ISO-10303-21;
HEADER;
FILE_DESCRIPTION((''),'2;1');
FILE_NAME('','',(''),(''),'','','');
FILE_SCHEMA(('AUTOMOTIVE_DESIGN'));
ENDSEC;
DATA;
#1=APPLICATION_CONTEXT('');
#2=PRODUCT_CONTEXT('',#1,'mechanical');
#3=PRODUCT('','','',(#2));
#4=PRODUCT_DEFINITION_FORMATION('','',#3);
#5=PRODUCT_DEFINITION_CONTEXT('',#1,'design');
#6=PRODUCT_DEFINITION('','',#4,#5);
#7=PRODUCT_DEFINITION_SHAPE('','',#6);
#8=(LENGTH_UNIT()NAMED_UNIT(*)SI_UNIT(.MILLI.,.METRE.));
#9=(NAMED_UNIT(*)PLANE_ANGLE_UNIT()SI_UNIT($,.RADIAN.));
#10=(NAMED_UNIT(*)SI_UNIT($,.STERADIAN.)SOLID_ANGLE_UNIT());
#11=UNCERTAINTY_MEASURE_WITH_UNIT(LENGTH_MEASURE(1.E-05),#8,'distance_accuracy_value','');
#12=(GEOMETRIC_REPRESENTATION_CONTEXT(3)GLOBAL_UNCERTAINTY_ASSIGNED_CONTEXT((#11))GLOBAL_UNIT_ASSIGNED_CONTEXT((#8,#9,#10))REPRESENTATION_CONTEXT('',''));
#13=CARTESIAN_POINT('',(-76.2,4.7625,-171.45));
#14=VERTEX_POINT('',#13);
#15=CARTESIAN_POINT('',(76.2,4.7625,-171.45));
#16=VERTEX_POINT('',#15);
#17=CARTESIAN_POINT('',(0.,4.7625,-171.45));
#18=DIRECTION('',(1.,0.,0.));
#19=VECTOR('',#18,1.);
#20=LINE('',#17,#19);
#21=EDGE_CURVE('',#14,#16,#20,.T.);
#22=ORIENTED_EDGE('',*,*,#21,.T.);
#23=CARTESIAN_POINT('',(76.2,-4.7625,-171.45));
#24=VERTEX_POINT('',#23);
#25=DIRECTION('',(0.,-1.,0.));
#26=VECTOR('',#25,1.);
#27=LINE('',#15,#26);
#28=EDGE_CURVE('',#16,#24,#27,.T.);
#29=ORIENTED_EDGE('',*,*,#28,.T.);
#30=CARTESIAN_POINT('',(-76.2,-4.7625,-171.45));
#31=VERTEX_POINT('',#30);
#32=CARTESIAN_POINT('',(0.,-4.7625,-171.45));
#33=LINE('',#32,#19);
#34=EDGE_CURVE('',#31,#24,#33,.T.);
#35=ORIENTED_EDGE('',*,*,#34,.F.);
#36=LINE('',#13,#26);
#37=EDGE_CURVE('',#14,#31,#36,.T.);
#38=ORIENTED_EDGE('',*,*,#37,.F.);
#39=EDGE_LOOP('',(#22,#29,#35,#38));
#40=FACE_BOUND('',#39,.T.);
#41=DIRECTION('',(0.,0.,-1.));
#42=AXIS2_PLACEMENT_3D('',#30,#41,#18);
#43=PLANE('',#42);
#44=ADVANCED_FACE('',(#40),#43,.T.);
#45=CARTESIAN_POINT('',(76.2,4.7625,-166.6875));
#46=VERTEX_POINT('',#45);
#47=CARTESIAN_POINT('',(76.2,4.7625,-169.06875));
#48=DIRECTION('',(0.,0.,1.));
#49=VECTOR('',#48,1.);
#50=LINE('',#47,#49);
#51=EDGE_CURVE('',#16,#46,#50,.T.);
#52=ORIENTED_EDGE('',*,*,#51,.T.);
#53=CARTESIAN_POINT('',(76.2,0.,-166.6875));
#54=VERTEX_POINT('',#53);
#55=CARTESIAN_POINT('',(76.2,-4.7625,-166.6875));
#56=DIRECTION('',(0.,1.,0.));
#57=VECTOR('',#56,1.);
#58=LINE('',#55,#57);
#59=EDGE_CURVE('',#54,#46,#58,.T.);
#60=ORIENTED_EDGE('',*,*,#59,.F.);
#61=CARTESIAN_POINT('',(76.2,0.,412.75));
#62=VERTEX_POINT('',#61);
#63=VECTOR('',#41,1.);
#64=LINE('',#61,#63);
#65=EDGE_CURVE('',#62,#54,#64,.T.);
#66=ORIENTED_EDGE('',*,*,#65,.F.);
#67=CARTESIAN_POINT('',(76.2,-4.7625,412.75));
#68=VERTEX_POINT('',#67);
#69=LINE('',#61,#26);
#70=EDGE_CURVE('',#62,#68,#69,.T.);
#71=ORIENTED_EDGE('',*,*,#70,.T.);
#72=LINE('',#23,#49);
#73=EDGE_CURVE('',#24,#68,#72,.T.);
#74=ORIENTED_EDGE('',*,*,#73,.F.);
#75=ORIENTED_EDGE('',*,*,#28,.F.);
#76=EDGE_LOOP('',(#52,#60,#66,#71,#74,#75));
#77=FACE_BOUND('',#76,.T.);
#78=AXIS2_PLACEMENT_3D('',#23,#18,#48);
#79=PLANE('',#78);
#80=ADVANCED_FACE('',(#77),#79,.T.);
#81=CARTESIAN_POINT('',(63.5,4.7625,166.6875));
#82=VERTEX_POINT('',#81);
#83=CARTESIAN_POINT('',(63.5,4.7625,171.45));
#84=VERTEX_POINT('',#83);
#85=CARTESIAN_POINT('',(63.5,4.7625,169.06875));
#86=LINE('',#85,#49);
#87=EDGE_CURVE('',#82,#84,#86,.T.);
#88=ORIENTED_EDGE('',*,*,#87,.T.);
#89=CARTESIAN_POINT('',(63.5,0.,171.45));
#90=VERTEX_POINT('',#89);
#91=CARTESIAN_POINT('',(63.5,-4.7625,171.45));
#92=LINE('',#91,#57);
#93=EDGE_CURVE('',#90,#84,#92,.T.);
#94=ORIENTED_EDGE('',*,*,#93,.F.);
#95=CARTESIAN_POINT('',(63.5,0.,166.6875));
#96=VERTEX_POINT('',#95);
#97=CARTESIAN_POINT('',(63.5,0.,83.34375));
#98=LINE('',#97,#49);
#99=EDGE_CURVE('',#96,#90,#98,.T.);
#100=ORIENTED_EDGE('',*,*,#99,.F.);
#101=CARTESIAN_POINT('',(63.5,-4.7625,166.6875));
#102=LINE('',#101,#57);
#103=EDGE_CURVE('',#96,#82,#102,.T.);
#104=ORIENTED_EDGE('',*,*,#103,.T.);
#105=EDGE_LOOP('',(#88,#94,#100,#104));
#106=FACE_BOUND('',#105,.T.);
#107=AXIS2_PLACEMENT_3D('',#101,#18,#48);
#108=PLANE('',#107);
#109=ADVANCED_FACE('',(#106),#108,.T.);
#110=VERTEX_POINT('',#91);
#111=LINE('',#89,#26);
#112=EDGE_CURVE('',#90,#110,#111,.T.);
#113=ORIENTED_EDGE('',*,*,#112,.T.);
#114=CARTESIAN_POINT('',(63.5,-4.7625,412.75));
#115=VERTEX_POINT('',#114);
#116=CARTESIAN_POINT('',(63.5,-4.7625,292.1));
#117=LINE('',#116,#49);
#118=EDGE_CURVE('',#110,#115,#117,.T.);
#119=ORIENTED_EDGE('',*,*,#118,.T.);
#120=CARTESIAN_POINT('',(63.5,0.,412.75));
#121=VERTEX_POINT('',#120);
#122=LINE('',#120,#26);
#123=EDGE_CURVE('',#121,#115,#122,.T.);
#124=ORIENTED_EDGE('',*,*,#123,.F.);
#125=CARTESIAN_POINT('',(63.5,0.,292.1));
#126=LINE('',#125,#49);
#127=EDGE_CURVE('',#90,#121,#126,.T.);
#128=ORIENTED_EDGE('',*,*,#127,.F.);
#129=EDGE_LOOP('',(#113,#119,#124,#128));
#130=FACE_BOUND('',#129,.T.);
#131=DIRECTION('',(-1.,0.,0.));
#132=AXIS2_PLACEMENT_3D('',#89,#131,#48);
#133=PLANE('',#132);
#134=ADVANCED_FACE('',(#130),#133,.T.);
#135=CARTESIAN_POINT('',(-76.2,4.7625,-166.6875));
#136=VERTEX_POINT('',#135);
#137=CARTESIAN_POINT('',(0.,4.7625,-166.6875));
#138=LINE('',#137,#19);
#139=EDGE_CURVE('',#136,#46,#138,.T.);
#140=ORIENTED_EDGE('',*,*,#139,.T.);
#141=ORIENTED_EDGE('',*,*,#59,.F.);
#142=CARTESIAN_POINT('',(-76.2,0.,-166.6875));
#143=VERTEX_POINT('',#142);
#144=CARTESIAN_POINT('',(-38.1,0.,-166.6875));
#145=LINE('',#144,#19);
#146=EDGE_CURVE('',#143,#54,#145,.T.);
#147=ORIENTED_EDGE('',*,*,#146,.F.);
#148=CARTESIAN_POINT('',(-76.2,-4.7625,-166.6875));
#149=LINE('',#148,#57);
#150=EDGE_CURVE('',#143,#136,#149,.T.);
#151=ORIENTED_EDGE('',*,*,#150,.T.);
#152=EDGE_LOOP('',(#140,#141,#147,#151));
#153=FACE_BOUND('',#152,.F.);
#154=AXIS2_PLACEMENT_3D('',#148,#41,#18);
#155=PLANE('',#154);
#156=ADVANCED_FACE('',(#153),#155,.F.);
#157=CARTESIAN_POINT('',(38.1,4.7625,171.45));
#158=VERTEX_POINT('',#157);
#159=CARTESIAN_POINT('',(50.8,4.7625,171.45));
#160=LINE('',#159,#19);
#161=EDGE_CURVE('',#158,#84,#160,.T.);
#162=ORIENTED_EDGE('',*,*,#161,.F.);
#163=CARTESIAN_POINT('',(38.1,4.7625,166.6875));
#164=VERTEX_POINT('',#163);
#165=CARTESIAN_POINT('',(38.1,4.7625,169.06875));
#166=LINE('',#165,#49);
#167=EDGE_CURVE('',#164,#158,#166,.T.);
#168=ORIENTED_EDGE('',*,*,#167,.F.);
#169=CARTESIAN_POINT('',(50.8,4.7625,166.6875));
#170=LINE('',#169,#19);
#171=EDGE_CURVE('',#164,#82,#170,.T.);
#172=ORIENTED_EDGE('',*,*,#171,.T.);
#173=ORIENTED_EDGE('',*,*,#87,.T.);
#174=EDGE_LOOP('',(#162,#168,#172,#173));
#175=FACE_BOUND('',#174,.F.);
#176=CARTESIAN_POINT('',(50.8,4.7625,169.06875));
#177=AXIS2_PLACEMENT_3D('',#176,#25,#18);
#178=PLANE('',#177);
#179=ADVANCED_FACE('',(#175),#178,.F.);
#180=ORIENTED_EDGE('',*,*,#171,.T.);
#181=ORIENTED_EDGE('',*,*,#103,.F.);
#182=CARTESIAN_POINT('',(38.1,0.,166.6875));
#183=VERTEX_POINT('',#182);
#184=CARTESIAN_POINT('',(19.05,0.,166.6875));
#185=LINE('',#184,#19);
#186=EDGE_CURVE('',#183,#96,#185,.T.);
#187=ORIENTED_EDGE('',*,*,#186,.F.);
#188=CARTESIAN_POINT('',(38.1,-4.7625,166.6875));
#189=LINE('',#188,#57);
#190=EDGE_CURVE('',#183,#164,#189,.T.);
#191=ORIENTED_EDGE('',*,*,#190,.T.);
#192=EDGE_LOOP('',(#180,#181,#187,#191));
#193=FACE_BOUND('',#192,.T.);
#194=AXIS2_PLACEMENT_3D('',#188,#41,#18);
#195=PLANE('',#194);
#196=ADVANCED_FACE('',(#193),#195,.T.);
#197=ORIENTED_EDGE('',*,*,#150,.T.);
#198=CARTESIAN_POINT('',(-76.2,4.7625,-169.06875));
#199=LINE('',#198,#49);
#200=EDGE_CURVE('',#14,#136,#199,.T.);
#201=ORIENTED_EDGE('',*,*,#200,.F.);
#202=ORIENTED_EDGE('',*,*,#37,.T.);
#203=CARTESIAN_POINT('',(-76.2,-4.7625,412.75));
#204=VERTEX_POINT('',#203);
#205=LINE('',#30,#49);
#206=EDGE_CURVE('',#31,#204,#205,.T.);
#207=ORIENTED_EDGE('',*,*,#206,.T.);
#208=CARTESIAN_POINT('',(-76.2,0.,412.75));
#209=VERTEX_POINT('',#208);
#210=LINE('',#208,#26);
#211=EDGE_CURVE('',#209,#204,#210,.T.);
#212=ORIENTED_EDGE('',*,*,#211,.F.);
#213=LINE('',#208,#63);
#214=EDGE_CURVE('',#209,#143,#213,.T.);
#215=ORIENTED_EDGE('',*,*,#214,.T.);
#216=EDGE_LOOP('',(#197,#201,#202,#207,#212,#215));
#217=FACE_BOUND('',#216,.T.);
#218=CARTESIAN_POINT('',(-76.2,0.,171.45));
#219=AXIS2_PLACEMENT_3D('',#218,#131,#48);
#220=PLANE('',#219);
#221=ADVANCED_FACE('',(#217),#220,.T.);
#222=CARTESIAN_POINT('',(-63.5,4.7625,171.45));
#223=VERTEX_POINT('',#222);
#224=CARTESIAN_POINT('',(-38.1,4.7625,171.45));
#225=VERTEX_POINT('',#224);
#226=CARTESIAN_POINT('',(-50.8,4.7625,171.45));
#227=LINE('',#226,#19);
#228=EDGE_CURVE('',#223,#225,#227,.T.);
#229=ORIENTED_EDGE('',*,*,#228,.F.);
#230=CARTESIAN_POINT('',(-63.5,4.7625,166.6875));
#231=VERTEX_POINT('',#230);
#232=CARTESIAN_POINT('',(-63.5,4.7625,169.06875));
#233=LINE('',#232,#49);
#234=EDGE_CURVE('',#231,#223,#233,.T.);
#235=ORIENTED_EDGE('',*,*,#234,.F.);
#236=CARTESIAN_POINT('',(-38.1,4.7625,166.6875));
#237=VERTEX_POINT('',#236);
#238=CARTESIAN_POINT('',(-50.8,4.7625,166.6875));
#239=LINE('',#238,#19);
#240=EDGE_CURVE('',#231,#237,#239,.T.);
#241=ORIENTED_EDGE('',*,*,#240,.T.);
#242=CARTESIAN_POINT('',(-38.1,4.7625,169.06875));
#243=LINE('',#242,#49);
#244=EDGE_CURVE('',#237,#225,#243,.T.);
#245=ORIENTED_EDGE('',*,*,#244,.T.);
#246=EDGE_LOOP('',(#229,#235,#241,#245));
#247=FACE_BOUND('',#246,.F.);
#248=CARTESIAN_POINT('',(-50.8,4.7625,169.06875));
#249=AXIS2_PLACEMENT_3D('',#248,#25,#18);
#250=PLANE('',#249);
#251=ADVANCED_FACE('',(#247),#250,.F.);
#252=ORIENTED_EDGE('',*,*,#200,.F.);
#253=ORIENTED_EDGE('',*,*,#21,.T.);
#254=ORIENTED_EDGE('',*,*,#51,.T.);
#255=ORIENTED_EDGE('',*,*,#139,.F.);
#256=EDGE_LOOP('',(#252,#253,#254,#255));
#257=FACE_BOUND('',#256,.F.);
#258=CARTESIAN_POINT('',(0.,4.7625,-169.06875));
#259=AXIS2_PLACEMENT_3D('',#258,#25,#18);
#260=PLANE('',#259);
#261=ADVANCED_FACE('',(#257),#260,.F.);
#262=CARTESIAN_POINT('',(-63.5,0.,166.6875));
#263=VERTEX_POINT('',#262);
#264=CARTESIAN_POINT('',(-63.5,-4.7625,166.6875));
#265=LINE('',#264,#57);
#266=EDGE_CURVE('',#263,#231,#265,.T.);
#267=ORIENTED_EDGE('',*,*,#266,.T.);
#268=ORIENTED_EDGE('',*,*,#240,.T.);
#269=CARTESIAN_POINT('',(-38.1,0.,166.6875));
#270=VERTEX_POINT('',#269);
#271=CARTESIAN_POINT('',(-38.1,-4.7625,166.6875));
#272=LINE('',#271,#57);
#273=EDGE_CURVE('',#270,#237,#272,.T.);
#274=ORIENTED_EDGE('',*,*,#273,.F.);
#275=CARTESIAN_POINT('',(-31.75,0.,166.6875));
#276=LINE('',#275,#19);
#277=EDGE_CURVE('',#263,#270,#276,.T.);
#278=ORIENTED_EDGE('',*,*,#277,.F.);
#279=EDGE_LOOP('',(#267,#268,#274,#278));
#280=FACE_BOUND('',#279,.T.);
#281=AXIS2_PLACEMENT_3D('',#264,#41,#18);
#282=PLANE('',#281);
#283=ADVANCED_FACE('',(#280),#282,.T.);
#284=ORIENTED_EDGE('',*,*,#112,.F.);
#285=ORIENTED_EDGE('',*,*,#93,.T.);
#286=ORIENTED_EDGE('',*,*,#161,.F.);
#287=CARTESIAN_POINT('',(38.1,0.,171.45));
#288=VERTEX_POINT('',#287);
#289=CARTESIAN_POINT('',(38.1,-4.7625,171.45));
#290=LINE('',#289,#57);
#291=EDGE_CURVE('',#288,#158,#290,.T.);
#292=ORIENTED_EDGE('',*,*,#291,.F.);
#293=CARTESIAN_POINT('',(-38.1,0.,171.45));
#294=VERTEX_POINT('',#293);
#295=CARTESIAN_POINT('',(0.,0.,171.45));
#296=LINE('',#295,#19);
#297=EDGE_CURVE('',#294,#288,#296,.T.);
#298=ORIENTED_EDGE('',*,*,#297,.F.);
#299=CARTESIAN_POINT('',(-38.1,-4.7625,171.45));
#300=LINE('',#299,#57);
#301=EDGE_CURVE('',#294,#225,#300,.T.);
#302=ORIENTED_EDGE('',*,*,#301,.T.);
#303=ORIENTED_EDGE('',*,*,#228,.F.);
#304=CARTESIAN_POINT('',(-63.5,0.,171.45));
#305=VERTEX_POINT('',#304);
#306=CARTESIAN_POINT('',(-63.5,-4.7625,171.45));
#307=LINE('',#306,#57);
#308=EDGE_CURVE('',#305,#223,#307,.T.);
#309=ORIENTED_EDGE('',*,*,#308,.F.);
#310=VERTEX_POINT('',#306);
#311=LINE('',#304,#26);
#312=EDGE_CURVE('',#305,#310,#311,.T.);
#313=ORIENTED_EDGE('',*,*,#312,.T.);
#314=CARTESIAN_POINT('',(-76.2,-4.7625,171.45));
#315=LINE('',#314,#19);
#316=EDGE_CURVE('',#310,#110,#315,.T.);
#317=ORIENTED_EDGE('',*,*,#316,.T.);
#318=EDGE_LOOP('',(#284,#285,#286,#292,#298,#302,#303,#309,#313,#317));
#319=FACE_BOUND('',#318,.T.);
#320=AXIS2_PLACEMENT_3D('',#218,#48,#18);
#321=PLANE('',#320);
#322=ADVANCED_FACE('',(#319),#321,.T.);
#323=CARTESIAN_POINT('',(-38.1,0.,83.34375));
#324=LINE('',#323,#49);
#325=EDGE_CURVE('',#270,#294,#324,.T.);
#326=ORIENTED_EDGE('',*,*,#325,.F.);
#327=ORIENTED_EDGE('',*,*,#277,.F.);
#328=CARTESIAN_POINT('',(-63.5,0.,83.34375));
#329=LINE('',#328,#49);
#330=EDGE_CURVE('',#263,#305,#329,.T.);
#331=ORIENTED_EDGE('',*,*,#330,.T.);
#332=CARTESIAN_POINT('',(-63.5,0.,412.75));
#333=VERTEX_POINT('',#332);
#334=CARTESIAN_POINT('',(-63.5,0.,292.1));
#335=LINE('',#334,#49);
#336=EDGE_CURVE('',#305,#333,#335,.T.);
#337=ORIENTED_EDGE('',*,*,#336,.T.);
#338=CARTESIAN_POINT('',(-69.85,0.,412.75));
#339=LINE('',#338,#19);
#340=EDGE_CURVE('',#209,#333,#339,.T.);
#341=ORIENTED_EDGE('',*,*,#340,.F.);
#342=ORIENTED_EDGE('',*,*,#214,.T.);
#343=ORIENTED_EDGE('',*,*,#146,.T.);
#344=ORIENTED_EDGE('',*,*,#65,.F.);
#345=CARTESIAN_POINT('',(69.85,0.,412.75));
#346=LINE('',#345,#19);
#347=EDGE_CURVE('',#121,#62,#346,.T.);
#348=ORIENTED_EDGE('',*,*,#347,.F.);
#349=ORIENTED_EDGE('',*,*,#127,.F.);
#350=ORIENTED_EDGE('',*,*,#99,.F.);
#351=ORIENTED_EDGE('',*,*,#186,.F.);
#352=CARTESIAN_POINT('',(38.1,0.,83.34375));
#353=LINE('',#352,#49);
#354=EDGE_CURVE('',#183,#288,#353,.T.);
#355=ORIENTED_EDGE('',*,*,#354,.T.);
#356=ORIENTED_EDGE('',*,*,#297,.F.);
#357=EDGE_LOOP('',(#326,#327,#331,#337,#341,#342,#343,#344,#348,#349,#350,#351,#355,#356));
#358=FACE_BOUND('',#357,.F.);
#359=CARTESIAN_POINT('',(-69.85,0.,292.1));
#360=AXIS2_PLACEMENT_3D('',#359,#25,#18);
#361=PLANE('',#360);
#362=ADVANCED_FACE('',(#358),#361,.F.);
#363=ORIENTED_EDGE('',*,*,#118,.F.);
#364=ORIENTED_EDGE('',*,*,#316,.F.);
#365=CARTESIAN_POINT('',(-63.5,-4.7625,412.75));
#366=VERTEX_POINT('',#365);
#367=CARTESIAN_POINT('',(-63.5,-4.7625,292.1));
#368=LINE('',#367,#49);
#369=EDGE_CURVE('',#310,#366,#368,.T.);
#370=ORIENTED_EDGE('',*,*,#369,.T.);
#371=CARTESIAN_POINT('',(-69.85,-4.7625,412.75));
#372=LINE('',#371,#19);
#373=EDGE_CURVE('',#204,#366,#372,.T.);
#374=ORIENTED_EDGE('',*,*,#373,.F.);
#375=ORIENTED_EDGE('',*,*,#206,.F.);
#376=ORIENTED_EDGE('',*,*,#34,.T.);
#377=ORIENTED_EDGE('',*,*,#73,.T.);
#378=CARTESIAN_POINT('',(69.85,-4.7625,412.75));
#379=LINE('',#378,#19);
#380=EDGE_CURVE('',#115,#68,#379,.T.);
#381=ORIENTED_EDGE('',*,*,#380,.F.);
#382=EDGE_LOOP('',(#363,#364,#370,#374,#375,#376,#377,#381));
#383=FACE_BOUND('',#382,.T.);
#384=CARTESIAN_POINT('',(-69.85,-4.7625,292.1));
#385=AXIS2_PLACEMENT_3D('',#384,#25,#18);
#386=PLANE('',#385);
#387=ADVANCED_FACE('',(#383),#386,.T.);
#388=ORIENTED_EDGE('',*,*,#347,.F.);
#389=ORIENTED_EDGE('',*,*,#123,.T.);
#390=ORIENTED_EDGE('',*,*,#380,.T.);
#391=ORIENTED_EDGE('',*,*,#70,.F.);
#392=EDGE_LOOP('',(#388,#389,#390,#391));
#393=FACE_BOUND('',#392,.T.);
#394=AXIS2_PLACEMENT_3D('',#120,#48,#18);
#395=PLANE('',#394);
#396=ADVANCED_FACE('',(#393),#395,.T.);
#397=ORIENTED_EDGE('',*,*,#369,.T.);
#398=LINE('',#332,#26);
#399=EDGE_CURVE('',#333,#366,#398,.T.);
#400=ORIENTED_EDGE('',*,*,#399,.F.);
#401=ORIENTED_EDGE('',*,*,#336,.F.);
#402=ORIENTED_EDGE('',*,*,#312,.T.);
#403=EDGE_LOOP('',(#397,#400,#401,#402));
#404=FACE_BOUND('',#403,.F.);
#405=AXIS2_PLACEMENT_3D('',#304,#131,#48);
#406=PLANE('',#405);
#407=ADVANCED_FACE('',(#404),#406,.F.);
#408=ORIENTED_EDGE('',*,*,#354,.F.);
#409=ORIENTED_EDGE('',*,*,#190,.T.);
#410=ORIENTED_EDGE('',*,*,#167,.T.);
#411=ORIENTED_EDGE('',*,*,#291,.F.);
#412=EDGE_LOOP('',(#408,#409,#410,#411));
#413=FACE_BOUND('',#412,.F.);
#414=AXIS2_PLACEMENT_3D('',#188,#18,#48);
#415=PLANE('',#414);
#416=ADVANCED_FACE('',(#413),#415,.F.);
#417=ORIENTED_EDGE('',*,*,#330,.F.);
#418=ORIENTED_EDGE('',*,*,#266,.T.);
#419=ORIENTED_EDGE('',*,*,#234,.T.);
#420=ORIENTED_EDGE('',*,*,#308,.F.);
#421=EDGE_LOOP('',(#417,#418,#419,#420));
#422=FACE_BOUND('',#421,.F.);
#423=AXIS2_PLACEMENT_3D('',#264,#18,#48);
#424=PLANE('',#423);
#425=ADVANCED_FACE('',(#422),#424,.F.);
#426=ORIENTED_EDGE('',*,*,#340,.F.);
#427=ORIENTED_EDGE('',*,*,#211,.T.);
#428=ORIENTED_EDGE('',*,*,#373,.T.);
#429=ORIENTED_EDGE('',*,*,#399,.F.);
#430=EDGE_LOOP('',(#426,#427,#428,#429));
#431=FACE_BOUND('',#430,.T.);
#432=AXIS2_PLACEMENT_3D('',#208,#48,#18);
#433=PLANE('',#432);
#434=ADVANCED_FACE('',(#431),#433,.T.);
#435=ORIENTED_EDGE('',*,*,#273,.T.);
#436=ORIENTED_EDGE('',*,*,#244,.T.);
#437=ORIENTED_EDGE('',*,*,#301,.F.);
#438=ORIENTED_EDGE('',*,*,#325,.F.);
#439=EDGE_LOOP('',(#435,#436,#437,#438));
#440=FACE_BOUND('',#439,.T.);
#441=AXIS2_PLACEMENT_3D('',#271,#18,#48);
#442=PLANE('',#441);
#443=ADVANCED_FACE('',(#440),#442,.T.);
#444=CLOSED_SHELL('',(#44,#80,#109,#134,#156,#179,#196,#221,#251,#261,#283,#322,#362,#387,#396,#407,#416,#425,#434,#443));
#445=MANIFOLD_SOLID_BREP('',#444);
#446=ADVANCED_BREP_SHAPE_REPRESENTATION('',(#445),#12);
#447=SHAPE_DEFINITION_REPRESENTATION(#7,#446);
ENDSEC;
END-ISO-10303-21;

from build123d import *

# Parameters (mm, degrees)
F0_W     = 152.4
F0_H     = 342.9
F1_DEPTH = 4.7625
F2_W     = 25.4
F2_H     = 4.7625
F3_DEPTH = 9.525
F4_W     = 152.4
F4_H     = 4.7625
F5_DEPTH = 9.525
F6_W     = 12.7
F6_H     = 241.3
F7_DEPTH = 4.7625


with BuildPart() as f1:
    # F0 (on Front) → F1 (new body)
    with BuildSketch(Plane.XZ):
        Rectangle(F0_W, F0_H)
    extrude(amount=F1_DEPTH)

    # F2 (on face) → F3 (join)
    with BuildSketch(Plane.XZ.offset(4.7625)):
        with Locations((-50.8, 169.06875)):
            Rectangle(F2_W, F2_H)
        with Locations((50.8, 169.06875)):
            Rectangle(F2_W, F2_H)
    extrude(amount=-F3_DEPTH)

    # F4 (on face) → F5 (join)
    with BuildSketch(Plane.XZ.offset(4.7625)):
        with Locations((0, -169.06875)):
            Rectangle(F4_W, F4_H)
    extrude(amount=-F5_DEPTH)

    # F6 (on Front) → F7 (join)
    with BuildSketch(Plane.XZ):
        with Locations((-69.85, 292.1)):
            Rectangle(F6_W, F6_H)
        with Locations((69.85, 292.1)):
            Rectangle(F6_W, F6_H)
    extrude(amount=F7_DEPTH)


solid = f1.part
